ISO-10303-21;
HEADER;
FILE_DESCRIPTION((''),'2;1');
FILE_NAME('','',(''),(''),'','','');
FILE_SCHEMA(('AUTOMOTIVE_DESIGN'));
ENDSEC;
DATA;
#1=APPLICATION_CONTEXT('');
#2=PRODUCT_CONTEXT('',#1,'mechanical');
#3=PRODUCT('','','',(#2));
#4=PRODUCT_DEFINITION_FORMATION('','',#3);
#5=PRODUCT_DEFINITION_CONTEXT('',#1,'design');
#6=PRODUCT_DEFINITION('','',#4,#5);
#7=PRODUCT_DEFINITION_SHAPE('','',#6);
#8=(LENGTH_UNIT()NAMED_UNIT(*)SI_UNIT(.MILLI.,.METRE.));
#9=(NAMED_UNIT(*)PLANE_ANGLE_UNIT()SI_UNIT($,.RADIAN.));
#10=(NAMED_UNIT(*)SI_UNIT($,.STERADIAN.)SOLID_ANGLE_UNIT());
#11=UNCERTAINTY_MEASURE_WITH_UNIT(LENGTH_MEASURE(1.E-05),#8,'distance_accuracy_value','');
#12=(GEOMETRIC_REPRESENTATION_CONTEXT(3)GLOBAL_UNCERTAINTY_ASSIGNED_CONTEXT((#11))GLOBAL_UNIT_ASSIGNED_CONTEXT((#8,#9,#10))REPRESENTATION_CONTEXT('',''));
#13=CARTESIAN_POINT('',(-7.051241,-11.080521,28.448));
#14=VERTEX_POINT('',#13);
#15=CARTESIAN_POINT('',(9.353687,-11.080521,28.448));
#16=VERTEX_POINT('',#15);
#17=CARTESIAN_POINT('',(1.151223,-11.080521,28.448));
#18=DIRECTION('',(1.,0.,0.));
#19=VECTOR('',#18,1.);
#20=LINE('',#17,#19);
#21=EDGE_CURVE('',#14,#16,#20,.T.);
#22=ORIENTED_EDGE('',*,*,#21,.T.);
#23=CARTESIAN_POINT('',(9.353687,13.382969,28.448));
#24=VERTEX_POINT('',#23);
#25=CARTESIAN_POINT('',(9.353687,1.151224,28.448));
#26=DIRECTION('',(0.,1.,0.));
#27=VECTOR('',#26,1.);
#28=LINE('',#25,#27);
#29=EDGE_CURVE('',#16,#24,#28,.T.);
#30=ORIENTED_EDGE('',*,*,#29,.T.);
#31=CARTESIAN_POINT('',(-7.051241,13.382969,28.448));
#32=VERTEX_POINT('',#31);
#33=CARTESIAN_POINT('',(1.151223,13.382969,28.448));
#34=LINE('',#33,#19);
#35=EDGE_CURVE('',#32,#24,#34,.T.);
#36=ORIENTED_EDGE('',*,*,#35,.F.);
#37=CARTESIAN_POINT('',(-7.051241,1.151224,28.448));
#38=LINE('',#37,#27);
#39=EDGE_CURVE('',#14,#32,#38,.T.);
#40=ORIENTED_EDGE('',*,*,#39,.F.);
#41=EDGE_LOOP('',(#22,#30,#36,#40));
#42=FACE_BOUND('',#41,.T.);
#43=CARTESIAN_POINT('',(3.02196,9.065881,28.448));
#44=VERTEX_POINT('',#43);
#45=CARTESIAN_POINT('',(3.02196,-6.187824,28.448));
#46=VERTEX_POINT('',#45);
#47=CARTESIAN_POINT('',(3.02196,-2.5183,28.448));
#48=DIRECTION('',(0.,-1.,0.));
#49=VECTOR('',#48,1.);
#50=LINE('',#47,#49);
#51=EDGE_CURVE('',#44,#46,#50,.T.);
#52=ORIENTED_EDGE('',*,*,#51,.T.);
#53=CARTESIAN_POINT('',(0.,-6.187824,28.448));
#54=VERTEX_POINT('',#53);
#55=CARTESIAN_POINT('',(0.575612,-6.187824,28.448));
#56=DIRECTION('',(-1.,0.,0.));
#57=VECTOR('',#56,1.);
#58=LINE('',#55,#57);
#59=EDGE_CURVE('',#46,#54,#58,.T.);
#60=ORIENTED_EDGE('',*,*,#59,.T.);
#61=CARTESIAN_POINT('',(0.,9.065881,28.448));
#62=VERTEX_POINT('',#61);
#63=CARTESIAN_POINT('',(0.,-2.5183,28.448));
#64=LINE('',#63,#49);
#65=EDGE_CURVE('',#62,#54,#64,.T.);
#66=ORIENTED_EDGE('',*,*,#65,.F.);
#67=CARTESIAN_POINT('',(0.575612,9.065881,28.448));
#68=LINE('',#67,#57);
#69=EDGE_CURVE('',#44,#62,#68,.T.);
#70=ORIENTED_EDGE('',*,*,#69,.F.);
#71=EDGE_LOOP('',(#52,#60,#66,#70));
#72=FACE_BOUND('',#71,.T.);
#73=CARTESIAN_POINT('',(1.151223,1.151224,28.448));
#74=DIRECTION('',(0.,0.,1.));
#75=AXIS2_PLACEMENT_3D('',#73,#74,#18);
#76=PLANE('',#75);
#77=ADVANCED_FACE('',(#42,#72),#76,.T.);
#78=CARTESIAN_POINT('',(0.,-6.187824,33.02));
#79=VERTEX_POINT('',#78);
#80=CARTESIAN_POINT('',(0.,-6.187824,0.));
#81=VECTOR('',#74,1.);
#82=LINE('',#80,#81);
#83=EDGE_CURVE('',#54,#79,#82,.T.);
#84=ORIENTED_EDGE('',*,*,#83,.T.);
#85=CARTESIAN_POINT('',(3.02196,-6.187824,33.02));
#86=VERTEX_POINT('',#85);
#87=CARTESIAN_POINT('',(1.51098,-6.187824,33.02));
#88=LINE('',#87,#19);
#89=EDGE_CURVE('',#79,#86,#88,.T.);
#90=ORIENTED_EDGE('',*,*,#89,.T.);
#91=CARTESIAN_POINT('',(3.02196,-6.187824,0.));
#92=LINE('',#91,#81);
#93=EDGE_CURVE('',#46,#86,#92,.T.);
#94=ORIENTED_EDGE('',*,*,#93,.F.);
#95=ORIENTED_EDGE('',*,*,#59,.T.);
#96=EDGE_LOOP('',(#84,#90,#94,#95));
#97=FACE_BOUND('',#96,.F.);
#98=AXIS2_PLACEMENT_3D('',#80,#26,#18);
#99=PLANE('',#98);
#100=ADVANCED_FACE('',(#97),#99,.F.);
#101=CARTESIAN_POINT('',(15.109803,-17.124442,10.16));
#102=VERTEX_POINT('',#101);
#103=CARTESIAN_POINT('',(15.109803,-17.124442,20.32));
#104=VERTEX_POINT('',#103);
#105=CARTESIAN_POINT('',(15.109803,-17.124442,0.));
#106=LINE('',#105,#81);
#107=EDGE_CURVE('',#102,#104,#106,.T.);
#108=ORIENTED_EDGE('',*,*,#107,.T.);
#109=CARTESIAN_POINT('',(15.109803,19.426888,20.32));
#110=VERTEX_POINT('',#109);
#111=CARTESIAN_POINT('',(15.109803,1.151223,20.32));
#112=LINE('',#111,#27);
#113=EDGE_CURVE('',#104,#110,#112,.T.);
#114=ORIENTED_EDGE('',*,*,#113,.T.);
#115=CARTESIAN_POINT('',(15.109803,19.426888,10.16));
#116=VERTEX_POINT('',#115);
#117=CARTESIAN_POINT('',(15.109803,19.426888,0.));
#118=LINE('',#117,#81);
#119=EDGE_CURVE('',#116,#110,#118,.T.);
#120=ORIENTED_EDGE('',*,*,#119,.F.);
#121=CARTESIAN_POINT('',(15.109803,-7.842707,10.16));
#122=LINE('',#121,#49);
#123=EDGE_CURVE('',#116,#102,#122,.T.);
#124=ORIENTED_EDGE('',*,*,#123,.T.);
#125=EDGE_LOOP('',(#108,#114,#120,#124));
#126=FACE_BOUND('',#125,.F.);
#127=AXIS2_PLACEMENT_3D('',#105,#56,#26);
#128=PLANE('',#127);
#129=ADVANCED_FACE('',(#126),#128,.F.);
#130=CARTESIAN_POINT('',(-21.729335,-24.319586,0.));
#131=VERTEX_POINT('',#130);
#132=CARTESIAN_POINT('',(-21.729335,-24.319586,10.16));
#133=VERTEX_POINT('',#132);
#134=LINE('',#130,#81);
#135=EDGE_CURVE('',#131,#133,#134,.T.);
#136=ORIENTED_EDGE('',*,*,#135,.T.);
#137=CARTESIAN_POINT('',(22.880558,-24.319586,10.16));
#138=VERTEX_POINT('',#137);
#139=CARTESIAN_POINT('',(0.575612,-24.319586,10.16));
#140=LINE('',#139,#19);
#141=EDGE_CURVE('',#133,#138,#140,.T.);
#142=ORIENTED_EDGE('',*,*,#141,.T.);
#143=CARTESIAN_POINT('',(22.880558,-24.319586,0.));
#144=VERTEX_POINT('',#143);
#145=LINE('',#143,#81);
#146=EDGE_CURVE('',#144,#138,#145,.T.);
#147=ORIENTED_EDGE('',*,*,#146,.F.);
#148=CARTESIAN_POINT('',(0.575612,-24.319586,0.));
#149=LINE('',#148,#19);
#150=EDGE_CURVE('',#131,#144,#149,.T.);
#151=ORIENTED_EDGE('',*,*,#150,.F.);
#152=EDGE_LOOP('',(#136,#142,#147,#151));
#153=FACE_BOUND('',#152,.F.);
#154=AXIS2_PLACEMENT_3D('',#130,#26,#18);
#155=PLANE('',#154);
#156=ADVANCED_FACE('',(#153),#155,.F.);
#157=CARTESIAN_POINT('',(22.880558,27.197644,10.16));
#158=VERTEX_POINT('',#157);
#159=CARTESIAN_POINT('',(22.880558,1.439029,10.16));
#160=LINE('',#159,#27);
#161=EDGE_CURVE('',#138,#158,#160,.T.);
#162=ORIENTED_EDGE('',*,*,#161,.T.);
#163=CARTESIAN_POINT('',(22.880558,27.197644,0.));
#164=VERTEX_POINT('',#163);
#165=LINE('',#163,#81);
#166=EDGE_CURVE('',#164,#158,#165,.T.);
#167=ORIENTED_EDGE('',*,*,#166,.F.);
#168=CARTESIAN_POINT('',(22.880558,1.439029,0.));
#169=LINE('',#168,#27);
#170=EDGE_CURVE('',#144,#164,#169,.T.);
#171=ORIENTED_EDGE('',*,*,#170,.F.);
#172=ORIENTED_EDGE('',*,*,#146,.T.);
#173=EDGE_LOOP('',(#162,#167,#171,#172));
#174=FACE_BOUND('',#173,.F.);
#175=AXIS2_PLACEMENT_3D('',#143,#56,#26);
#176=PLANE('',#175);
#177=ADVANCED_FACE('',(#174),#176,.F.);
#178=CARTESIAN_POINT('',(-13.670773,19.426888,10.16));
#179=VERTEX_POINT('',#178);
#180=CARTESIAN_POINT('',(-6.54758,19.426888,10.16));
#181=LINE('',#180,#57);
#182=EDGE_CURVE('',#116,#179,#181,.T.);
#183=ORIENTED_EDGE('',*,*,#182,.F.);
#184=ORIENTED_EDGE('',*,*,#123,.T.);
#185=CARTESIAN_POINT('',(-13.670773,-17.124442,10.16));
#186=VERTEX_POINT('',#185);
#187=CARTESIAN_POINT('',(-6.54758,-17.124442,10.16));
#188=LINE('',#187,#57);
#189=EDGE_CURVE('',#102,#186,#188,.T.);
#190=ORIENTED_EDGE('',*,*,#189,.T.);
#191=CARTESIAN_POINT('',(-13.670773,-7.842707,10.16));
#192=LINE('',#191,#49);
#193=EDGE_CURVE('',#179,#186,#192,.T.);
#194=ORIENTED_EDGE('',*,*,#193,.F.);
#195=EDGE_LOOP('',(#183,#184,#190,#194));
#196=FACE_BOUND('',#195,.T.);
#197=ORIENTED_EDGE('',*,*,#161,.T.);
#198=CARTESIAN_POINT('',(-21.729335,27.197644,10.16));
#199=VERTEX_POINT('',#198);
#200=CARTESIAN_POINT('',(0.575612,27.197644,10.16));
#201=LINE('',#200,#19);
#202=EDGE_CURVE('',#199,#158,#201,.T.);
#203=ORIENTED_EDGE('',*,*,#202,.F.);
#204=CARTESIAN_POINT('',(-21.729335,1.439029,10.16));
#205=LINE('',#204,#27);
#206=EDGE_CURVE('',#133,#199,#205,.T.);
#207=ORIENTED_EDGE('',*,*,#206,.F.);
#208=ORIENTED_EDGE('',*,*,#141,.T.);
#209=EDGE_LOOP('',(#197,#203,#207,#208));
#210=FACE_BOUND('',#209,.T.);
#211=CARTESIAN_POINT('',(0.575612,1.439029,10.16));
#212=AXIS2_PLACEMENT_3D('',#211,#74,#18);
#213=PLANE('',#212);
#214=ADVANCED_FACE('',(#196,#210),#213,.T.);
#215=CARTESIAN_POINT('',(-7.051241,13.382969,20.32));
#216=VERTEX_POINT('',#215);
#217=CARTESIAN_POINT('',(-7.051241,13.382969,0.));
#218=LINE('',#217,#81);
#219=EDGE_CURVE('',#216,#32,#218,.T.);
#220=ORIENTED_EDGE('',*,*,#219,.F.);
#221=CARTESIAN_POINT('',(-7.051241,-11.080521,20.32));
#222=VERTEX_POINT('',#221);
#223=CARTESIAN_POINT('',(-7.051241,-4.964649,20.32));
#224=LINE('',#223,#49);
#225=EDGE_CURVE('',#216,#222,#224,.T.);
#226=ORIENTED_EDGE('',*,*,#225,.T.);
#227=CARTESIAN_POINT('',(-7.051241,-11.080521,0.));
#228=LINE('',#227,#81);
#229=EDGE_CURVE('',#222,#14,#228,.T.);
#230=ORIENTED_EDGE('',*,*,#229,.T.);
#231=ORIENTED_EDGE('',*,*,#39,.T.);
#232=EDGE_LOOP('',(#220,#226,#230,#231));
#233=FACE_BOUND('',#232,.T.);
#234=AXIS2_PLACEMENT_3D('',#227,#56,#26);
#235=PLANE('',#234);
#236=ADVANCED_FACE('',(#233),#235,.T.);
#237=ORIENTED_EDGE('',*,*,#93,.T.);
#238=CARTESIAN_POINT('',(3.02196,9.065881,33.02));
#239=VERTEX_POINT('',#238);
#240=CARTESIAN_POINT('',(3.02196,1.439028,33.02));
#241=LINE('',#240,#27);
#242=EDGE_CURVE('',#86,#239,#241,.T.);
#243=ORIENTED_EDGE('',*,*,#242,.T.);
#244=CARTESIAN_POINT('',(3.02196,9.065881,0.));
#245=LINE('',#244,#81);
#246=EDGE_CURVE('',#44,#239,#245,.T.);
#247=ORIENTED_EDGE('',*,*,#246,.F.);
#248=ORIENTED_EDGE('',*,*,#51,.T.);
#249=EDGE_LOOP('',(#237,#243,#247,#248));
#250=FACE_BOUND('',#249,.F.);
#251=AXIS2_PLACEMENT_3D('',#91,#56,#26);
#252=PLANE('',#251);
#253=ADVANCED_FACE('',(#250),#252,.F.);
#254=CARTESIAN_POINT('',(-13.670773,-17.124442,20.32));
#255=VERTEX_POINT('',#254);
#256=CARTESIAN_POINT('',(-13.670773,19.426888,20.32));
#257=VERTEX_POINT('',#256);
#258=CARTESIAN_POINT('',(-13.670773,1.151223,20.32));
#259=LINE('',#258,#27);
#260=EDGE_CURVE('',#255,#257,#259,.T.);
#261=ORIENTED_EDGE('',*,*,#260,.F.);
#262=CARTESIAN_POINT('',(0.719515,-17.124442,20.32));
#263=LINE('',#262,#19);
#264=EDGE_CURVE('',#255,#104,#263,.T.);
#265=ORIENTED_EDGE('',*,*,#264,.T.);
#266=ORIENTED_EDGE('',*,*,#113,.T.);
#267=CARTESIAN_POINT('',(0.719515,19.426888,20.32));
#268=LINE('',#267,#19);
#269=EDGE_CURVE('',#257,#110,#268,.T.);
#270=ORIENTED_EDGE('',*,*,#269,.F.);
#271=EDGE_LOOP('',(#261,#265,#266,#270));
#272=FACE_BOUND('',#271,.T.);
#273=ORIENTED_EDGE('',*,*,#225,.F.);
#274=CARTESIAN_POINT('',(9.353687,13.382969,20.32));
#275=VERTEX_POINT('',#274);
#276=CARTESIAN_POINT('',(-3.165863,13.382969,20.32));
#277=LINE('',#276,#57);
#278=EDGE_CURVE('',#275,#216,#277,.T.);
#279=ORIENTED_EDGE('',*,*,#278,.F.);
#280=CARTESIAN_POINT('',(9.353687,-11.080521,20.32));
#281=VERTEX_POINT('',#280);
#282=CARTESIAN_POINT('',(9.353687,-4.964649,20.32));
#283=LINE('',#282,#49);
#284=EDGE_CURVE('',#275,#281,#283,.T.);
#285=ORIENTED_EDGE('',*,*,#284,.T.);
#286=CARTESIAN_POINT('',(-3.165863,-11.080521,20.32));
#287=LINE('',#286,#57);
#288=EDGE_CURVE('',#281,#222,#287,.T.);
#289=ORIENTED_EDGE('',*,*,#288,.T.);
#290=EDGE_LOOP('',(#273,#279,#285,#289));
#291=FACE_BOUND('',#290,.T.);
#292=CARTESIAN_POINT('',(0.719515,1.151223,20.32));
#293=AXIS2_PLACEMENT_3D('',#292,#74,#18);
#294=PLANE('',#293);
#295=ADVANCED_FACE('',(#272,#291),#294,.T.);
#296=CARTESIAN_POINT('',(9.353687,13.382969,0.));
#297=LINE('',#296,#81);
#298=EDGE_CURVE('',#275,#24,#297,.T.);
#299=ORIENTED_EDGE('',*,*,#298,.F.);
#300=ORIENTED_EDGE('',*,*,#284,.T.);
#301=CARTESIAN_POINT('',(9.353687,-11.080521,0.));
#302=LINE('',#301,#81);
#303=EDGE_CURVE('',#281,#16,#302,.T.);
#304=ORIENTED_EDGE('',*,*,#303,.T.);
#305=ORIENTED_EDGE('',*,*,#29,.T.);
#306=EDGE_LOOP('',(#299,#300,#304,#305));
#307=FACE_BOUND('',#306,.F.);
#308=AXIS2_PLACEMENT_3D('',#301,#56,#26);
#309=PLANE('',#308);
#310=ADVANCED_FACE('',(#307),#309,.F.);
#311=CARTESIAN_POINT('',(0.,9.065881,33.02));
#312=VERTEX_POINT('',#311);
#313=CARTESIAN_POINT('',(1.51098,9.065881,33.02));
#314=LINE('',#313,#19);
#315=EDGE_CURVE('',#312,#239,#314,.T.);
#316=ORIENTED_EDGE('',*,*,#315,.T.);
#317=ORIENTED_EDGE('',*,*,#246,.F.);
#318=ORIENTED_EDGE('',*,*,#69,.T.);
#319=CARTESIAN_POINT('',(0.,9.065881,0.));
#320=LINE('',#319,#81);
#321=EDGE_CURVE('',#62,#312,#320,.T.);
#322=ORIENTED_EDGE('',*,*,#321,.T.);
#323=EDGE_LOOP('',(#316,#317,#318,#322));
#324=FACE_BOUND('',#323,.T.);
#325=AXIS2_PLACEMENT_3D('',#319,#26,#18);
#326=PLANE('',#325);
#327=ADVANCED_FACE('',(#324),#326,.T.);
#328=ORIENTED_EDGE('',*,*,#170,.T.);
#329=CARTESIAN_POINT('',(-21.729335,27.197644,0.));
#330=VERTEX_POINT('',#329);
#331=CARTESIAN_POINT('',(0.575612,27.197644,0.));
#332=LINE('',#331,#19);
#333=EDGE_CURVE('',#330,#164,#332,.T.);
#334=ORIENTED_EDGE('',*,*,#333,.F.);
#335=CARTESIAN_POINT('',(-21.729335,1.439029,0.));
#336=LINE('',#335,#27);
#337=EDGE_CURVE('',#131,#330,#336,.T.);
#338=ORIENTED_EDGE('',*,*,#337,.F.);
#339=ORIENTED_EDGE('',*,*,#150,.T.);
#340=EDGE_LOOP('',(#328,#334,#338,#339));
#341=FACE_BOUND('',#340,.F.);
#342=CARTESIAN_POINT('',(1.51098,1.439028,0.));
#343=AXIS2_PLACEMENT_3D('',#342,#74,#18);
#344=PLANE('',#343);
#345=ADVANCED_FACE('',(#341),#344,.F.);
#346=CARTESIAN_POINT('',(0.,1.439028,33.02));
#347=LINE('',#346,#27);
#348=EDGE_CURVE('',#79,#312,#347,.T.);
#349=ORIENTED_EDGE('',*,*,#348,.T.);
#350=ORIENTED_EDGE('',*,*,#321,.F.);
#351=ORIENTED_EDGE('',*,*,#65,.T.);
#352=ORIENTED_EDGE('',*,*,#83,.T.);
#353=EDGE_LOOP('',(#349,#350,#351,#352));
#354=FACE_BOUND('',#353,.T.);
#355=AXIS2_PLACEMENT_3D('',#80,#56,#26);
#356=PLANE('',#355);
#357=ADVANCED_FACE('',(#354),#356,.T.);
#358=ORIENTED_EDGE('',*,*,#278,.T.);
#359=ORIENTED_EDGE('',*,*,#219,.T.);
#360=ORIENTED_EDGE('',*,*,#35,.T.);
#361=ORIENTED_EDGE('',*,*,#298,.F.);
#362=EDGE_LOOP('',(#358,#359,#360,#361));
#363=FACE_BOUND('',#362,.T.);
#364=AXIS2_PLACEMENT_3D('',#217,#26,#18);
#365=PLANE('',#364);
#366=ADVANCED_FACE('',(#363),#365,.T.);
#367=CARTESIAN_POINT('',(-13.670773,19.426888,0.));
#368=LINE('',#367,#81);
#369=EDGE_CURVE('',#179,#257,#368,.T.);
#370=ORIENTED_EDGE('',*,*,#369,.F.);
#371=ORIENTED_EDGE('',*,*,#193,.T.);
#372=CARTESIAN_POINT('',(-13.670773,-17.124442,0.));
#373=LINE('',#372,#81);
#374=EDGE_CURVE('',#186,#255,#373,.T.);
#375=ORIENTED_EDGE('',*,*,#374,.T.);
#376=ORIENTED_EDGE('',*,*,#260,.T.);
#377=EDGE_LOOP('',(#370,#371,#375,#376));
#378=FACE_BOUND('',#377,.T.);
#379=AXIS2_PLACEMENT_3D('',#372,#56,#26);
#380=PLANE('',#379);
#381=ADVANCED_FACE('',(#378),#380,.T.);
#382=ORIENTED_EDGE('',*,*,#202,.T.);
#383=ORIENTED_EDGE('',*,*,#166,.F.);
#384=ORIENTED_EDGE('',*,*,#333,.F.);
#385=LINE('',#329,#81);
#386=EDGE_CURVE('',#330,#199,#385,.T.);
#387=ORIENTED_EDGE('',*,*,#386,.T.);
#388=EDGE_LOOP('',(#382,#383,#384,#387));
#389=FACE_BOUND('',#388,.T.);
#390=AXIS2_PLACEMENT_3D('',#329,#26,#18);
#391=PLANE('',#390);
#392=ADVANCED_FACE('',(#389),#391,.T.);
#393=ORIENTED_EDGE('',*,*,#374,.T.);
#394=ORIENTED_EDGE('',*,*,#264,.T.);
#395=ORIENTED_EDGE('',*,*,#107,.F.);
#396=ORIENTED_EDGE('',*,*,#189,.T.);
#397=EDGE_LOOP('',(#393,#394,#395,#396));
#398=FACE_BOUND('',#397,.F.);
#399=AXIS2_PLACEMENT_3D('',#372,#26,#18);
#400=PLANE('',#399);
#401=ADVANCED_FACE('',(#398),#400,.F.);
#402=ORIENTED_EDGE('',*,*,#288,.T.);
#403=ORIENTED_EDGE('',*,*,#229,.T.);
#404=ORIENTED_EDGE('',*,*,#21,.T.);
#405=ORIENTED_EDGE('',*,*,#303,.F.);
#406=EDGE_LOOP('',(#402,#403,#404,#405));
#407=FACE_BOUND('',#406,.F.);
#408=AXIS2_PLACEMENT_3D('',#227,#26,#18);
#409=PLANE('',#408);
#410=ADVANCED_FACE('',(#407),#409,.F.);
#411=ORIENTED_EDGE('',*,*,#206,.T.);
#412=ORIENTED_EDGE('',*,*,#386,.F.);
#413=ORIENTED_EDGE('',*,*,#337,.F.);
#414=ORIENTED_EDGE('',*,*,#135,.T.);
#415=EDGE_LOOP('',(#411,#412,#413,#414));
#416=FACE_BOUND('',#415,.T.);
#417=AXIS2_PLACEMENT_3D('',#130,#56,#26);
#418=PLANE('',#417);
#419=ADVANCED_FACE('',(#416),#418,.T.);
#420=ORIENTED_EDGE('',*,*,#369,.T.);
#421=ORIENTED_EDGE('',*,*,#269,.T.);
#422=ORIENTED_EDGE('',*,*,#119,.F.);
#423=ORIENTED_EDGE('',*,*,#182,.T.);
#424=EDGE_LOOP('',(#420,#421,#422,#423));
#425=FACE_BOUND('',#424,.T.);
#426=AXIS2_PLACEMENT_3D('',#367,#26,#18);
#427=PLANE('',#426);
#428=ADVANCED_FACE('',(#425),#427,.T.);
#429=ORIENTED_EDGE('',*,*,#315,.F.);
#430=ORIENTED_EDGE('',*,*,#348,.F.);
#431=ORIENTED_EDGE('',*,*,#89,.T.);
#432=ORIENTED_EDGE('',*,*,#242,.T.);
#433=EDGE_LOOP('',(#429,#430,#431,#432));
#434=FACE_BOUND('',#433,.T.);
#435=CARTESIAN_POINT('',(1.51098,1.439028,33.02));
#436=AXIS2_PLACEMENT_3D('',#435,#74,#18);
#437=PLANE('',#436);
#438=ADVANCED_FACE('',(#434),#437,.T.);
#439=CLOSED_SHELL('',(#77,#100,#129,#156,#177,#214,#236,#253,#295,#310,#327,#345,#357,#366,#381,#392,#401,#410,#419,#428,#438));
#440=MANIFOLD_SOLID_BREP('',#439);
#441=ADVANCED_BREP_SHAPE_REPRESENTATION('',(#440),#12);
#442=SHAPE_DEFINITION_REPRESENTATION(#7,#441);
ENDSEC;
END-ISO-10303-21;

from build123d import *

# Parameters (mm, degrees)
F0_W     = 44.609893
F0_H     = 51.517231
F1_DEPTH = 10.16
F2_W     = 28.780576
F2_H     = 36.55133
F3_DEPTH = 20.32
F4_W     = 16.404928
F4_H     = 24.463489
F5_DEPTH = 28.448
F6_W     = 3.02196
F6_H     = 15.253705
F7_DEPTH = 33.02


with BuildPart() as f1:
    # F0 (on Top) → F1 (new body)
    with BuildSketch(Plane.XY):
        with Locations((0.575612, 1.439029)):
            Rectangle(F0_W, F0_H)
    extrude(amount=F1_DEPTH)

    # F2 (on Top) → F3 (join)
    with BuildSketch(Plane.XY):
        with Locations((0.719515, 1.151223)):
            Rectangle(F2_W, F2_H)
    extrude(amount=F3_DEPTH)

    # F4 (on Top) → F5 (join)
    with BuildSketch(Plane.XY):
        with Locations((1.151223, 1.151224)):
            Rectangle(F4_W, F4_H)
    extrude(amount=F5_DEPTH)

    # F6 (on Top) → F7 (join)
    with BuildSketch(Plane.XY):
        with Locations((1.51098, 1.439028)):
            Rectangle(F6_W, F6_H)
    extrude(amount=F7_DEPTH)


solid = f1.part
